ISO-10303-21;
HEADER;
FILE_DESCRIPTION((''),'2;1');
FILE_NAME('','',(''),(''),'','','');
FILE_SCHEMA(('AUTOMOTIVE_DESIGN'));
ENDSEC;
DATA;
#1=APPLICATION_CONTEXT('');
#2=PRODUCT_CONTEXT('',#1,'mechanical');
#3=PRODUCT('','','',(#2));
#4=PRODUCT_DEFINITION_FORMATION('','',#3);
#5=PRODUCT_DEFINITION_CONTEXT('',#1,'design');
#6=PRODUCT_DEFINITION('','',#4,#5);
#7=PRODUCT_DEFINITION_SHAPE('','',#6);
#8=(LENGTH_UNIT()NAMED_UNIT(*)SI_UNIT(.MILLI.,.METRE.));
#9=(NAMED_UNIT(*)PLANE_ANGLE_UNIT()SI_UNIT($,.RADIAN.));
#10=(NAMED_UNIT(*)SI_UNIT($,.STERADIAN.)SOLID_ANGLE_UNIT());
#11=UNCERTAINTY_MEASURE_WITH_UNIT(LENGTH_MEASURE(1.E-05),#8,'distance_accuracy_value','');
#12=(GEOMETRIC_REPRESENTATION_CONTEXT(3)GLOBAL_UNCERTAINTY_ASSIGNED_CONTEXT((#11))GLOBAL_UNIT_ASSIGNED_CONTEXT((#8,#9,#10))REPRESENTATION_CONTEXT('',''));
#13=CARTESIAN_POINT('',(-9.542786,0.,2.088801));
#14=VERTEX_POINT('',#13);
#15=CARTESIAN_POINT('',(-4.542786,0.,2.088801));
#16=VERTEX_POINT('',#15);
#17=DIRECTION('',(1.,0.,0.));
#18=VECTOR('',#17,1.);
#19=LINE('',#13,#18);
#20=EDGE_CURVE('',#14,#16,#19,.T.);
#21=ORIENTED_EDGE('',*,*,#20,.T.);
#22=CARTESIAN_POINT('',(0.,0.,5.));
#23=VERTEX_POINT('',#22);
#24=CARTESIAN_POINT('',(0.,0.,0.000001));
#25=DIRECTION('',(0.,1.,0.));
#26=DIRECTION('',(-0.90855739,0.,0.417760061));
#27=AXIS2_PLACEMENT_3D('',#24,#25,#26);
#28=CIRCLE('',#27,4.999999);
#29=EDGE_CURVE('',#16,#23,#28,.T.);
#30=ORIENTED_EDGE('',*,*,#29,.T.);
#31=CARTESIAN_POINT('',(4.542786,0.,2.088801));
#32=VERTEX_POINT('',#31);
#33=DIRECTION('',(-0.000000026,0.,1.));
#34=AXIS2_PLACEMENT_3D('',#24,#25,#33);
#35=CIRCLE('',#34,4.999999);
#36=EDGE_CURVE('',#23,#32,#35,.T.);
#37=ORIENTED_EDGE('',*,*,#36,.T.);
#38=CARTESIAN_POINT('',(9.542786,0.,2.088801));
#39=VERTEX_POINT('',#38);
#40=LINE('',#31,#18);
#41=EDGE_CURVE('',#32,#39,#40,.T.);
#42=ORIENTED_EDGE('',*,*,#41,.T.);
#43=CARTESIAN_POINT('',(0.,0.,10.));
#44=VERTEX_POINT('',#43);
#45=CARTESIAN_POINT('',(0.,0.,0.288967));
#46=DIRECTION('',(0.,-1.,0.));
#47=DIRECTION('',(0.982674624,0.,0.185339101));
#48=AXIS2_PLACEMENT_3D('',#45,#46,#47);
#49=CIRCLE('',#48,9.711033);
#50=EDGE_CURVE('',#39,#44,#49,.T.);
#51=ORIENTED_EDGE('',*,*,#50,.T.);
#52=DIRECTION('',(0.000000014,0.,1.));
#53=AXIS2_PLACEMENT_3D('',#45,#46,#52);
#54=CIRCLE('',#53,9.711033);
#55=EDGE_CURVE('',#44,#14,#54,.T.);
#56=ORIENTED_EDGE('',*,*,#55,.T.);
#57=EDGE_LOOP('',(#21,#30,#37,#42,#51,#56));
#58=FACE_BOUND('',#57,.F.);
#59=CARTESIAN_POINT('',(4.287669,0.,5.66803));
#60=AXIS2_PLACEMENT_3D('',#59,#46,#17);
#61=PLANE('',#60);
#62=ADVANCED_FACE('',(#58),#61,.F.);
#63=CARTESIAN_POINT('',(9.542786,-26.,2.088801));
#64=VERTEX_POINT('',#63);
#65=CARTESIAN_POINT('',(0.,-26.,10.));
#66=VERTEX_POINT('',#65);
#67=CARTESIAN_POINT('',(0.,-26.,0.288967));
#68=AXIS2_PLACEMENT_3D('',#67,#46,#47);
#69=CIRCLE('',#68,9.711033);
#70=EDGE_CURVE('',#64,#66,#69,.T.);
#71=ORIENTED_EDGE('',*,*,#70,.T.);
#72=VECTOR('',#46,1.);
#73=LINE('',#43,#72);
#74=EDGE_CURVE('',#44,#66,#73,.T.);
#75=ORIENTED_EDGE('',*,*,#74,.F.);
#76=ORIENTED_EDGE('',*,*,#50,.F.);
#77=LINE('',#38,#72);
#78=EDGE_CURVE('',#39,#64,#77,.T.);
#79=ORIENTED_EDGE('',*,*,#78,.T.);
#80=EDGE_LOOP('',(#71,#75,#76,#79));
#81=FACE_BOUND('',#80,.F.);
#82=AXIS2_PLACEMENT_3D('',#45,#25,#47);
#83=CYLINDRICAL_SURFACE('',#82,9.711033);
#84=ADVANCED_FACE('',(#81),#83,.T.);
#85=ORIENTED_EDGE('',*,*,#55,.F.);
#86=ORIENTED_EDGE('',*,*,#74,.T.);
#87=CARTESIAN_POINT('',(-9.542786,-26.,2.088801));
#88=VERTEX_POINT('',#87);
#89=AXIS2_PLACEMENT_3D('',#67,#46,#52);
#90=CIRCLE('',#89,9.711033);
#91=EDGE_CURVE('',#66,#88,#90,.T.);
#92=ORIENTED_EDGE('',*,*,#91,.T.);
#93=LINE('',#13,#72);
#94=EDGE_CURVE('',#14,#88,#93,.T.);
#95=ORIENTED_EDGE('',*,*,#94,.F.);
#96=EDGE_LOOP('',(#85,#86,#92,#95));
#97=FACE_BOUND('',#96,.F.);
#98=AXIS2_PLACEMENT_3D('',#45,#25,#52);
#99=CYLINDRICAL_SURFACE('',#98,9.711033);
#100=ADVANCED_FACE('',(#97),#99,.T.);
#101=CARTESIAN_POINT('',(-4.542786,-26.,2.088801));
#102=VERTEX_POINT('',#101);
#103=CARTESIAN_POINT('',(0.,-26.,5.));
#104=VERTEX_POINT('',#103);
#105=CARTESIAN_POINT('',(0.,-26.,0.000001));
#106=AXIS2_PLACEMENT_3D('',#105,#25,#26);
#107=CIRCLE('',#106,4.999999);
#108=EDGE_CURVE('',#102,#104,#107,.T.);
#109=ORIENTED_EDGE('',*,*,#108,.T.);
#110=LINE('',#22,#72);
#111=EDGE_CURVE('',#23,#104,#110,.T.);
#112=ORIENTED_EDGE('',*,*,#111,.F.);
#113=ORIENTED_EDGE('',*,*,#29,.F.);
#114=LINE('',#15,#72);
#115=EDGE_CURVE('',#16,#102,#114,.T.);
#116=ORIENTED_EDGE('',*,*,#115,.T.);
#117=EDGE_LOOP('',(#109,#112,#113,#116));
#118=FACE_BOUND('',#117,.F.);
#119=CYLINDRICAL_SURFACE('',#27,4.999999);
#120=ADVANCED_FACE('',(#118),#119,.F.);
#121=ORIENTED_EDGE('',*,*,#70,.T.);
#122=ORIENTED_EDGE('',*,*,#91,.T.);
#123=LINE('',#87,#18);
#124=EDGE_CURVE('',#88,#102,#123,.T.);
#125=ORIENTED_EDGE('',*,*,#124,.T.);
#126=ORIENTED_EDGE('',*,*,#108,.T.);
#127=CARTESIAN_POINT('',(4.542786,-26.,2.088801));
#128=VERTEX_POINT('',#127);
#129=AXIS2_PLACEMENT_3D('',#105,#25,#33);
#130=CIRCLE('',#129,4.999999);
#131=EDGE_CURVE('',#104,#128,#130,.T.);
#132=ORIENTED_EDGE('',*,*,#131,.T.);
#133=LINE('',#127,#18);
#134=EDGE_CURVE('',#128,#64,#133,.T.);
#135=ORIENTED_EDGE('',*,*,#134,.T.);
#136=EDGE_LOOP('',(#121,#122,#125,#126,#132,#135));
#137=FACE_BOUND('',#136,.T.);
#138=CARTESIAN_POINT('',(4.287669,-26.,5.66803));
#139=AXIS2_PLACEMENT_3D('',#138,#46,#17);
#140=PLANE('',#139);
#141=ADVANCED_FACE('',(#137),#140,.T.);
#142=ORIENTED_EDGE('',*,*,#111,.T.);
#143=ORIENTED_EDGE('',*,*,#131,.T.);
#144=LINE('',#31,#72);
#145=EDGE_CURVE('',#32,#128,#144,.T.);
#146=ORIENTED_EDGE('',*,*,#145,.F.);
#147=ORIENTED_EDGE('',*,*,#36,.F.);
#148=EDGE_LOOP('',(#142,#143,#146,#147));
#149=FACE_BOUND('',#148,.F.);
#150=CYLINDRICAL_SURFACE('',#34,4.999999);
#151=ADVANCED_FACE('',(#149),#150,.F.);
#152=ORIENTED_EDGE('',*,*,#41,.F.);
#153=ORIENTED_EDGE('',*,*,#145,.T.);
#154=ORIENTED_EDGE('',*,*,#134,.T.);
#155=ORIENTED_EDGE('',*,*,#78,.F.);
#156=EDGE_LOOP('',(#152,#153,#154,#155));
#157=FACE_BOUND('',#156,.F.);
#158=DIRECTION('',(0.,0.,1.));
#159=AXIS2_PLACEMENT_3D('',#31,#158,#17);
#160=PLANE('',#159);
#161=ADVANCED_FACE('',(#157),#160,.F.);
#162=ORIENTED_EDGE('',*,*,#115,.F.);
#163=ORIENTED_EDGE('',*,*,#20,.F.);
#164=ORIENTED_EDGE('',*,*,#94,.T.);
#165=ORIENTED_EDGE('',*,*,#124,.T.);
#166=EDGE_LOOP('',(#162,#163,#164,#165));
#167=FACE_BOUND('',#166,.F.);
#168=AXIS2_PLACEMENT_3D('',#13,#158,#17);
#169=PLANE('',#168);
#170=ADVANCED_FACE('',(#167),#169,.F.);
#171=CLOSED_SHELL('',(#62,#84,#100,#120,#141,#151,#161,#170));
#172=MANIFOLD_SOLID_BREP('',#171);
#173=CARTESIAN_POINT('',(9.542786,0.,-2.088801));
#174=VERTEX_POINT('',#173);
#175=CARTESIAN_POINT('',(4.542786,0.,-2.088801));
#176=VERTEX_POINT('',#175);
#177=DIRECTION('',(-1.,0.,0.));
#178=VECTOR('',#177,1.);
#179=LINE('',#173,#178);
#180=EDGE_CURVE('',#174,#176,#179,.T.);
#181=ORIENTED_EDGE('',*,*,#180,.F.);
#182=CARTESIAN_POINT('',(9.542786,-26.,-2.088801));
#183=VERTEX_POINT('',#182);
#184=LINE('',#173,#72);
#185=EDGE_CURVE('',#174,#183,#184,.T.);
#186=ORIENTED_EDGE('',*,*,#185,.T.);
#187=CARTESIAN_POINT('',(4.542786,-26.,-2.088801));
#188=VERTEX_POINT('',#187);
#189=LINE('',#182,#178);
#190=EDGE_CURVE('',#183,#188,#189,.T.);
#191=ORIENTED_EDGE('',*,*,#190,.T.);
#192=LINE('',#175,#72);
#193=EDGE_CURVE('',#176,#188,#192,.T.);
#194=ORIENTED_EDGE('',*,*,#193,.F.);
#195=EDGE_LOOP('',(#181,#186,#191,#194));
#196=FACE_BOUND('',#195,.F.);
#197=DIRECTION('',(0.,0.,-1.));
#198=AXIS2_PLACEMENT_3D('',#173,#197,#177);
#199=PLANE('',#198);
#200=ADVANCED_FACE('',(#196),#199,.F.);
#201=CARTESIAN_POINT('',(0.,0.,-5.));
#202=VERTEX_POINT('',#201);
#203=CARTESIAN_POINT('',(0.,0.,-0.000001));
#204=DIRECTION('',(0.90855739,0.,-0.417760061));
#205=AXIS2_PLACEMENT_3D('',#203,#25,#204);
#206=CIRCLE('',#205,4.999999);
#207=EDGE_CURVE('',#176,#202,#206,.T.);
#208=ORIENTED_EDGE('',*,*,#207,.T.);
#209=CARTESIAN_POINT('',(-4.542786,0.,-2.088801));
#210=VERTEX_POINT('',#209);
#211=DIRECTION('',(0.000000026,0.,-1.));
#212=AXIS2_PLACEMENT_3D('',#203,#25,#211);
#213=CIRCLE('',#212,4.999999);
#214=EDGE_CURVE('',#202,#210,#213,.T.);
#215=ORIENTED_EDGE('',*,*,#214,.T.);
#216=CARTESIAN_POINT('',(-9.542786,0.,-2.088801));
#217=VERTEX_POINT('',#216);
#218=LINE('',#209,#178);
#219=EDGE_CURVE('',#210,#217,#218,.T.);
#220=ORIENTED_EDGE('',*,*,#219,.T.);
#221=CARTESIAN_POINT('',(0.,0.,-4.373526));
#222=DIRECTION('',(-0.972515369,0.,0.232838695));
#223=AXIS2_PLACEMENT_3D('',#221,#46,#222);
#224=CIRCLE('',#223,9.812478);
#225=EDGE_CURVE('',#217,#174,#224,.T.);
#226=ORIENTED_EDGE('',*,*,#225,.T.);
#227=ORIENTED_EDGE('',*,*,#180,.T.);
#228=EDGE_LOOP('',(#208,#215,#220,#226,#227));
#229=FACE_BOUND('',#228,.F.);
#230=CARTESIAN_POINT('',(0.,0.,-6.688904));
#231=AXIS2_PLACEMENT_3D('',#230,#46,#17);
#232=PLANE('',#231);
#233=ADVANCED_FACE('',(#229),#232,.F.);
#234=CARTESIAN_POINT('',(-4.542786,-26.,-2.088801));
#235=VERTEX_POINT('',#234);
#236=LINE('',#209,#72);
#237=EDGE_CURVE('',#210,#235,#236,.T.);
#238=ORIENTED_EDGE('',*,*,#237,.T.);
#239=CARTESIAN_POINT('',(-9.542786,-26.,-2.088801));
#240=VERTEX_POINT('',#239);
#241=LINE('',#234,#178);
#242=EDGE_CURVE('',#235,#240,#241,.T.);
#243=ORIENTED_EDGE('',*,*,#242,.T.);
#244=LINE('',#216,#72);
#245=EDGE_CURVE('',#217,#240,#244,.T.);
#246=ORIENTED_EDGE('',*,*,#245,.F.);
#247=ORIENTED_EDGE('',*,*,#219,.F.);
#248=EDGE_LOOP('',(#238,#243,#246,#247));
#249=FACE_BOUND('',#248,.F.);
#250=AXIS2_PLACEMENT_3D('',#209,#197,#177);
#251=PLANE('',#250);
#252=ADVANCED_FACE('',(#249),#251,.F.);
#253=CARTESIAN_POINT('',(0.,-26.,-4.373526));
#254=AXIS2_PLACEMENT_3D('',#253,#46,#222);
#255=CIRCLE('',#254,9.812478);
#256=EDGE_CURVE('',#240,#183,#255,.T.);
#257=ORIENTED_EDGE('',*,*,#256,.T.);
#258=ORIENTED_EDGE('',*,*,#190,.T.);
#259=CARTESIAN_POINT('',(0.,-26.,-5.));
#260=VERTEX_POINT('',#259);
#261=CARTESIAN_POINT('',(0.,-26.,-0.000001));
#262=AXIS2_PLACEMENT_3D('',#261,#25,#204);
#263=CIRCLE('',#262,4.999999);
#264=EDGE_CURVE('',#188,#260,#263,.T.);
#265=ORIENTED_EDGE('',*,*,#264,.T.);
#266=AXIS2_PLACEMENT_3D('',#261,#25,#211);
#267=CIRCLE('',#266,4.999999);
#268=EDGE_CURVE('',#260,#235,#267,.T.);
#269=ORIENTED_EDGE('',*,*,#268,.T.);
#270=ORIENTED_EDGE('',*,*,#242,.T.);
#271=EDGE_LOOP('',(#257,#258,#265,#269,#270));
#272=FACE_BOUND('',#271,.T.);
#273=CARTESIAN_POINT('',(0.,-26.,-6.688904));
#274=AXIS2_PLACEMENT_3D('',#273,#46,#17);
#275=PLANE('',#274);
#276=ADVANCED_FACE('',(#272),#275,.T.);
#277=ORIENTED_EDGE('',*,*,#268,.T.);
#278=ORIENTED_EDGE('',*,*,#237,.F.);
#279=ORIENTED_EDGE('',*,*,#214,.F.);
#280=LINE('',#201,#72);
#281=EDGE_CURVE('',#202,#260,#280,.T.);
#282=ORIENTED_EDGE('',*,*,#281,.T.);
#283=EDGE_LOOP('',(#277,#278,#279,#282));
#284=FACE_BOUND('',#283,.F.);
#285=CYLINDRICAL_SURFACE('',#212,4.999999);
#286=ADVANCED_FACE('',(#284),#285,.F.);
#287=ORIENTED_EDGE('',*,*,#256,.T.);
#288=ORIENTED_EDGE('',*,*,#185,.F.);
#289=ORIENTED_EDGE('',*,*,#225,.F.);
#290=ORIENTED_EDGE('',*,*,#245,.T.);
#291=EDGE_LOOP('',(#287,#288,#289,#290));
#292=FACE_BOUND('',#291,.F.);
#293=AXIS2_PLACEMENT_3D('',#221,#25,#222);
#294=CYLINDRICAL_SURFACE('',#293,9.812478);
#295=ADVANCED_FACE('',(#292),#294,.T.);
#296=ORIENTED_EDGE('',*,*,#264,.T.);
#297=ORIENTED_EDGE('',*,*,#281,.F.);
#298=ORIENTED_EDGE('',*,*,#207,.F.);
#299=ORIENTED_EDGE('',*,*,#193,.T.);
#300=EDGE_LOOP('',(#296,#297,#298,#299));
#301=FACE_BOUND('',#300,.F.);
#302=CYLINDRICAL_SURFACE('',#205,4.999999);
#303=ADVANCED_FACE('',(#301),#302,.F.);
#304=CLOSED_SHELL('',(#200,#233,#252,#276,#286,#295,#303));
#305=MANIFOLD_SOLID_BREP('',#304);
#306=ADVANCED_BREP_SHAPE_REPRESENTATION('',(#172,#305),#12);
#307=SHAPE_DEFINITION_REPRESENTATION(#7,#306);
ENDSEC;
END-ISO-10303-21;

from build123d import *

# Parameters (mm, degrees)
F1_DEPTH = 26


with BuildPart() as f1:
    # F0 (on Front) → F1 (new body)
    with BuildSketch(Plane.XZ):
        with BuildLine():
            ThreePointArc((0, 5), (2.697776, 4.209751), (4.542786, 2.088801))
            Line((4.542786, 2.088801), (9.542786, 2.088801))
            ThreePointArc((9.542786, 2.088801), (6.197819, 7.765009), (0, 10))
            Line((0, 10), (0, 5))
        make_face()
        with BuildLine():
            ThreePointArc((-4.542786, 2.088801), (-2.697776, 4.209751), (0, 5))
            Line((0, 5), (0, 10))
            ThreePointArc((0, 10), (-6.197819, 7.765009), (-9.542786, 2.088801))
            Line((-9.542786, 2.088801), (-4.542786, 2.088801))
        make_face()
        with BuildLine():
            Line((9.542786, -2.088801), (4.542786, -2.088801))
            ThreePointArc((4.542786, -2.088801), (2.697776, -4.209751), (0, -5))
            ThreePointArc((0, -5), (-2.697776, -4.209751), (-4.542786, -2.088801))
            Line((-4.542786, -2.088801), (-9.542786, -2.088801))
            ThreePointArc((-9.542786, -2.088801), (0, -14.186004), (9.542786, -2.088801))
        make_face()
    extrude(amount=F1_DEPTH)


solid = f1.part
